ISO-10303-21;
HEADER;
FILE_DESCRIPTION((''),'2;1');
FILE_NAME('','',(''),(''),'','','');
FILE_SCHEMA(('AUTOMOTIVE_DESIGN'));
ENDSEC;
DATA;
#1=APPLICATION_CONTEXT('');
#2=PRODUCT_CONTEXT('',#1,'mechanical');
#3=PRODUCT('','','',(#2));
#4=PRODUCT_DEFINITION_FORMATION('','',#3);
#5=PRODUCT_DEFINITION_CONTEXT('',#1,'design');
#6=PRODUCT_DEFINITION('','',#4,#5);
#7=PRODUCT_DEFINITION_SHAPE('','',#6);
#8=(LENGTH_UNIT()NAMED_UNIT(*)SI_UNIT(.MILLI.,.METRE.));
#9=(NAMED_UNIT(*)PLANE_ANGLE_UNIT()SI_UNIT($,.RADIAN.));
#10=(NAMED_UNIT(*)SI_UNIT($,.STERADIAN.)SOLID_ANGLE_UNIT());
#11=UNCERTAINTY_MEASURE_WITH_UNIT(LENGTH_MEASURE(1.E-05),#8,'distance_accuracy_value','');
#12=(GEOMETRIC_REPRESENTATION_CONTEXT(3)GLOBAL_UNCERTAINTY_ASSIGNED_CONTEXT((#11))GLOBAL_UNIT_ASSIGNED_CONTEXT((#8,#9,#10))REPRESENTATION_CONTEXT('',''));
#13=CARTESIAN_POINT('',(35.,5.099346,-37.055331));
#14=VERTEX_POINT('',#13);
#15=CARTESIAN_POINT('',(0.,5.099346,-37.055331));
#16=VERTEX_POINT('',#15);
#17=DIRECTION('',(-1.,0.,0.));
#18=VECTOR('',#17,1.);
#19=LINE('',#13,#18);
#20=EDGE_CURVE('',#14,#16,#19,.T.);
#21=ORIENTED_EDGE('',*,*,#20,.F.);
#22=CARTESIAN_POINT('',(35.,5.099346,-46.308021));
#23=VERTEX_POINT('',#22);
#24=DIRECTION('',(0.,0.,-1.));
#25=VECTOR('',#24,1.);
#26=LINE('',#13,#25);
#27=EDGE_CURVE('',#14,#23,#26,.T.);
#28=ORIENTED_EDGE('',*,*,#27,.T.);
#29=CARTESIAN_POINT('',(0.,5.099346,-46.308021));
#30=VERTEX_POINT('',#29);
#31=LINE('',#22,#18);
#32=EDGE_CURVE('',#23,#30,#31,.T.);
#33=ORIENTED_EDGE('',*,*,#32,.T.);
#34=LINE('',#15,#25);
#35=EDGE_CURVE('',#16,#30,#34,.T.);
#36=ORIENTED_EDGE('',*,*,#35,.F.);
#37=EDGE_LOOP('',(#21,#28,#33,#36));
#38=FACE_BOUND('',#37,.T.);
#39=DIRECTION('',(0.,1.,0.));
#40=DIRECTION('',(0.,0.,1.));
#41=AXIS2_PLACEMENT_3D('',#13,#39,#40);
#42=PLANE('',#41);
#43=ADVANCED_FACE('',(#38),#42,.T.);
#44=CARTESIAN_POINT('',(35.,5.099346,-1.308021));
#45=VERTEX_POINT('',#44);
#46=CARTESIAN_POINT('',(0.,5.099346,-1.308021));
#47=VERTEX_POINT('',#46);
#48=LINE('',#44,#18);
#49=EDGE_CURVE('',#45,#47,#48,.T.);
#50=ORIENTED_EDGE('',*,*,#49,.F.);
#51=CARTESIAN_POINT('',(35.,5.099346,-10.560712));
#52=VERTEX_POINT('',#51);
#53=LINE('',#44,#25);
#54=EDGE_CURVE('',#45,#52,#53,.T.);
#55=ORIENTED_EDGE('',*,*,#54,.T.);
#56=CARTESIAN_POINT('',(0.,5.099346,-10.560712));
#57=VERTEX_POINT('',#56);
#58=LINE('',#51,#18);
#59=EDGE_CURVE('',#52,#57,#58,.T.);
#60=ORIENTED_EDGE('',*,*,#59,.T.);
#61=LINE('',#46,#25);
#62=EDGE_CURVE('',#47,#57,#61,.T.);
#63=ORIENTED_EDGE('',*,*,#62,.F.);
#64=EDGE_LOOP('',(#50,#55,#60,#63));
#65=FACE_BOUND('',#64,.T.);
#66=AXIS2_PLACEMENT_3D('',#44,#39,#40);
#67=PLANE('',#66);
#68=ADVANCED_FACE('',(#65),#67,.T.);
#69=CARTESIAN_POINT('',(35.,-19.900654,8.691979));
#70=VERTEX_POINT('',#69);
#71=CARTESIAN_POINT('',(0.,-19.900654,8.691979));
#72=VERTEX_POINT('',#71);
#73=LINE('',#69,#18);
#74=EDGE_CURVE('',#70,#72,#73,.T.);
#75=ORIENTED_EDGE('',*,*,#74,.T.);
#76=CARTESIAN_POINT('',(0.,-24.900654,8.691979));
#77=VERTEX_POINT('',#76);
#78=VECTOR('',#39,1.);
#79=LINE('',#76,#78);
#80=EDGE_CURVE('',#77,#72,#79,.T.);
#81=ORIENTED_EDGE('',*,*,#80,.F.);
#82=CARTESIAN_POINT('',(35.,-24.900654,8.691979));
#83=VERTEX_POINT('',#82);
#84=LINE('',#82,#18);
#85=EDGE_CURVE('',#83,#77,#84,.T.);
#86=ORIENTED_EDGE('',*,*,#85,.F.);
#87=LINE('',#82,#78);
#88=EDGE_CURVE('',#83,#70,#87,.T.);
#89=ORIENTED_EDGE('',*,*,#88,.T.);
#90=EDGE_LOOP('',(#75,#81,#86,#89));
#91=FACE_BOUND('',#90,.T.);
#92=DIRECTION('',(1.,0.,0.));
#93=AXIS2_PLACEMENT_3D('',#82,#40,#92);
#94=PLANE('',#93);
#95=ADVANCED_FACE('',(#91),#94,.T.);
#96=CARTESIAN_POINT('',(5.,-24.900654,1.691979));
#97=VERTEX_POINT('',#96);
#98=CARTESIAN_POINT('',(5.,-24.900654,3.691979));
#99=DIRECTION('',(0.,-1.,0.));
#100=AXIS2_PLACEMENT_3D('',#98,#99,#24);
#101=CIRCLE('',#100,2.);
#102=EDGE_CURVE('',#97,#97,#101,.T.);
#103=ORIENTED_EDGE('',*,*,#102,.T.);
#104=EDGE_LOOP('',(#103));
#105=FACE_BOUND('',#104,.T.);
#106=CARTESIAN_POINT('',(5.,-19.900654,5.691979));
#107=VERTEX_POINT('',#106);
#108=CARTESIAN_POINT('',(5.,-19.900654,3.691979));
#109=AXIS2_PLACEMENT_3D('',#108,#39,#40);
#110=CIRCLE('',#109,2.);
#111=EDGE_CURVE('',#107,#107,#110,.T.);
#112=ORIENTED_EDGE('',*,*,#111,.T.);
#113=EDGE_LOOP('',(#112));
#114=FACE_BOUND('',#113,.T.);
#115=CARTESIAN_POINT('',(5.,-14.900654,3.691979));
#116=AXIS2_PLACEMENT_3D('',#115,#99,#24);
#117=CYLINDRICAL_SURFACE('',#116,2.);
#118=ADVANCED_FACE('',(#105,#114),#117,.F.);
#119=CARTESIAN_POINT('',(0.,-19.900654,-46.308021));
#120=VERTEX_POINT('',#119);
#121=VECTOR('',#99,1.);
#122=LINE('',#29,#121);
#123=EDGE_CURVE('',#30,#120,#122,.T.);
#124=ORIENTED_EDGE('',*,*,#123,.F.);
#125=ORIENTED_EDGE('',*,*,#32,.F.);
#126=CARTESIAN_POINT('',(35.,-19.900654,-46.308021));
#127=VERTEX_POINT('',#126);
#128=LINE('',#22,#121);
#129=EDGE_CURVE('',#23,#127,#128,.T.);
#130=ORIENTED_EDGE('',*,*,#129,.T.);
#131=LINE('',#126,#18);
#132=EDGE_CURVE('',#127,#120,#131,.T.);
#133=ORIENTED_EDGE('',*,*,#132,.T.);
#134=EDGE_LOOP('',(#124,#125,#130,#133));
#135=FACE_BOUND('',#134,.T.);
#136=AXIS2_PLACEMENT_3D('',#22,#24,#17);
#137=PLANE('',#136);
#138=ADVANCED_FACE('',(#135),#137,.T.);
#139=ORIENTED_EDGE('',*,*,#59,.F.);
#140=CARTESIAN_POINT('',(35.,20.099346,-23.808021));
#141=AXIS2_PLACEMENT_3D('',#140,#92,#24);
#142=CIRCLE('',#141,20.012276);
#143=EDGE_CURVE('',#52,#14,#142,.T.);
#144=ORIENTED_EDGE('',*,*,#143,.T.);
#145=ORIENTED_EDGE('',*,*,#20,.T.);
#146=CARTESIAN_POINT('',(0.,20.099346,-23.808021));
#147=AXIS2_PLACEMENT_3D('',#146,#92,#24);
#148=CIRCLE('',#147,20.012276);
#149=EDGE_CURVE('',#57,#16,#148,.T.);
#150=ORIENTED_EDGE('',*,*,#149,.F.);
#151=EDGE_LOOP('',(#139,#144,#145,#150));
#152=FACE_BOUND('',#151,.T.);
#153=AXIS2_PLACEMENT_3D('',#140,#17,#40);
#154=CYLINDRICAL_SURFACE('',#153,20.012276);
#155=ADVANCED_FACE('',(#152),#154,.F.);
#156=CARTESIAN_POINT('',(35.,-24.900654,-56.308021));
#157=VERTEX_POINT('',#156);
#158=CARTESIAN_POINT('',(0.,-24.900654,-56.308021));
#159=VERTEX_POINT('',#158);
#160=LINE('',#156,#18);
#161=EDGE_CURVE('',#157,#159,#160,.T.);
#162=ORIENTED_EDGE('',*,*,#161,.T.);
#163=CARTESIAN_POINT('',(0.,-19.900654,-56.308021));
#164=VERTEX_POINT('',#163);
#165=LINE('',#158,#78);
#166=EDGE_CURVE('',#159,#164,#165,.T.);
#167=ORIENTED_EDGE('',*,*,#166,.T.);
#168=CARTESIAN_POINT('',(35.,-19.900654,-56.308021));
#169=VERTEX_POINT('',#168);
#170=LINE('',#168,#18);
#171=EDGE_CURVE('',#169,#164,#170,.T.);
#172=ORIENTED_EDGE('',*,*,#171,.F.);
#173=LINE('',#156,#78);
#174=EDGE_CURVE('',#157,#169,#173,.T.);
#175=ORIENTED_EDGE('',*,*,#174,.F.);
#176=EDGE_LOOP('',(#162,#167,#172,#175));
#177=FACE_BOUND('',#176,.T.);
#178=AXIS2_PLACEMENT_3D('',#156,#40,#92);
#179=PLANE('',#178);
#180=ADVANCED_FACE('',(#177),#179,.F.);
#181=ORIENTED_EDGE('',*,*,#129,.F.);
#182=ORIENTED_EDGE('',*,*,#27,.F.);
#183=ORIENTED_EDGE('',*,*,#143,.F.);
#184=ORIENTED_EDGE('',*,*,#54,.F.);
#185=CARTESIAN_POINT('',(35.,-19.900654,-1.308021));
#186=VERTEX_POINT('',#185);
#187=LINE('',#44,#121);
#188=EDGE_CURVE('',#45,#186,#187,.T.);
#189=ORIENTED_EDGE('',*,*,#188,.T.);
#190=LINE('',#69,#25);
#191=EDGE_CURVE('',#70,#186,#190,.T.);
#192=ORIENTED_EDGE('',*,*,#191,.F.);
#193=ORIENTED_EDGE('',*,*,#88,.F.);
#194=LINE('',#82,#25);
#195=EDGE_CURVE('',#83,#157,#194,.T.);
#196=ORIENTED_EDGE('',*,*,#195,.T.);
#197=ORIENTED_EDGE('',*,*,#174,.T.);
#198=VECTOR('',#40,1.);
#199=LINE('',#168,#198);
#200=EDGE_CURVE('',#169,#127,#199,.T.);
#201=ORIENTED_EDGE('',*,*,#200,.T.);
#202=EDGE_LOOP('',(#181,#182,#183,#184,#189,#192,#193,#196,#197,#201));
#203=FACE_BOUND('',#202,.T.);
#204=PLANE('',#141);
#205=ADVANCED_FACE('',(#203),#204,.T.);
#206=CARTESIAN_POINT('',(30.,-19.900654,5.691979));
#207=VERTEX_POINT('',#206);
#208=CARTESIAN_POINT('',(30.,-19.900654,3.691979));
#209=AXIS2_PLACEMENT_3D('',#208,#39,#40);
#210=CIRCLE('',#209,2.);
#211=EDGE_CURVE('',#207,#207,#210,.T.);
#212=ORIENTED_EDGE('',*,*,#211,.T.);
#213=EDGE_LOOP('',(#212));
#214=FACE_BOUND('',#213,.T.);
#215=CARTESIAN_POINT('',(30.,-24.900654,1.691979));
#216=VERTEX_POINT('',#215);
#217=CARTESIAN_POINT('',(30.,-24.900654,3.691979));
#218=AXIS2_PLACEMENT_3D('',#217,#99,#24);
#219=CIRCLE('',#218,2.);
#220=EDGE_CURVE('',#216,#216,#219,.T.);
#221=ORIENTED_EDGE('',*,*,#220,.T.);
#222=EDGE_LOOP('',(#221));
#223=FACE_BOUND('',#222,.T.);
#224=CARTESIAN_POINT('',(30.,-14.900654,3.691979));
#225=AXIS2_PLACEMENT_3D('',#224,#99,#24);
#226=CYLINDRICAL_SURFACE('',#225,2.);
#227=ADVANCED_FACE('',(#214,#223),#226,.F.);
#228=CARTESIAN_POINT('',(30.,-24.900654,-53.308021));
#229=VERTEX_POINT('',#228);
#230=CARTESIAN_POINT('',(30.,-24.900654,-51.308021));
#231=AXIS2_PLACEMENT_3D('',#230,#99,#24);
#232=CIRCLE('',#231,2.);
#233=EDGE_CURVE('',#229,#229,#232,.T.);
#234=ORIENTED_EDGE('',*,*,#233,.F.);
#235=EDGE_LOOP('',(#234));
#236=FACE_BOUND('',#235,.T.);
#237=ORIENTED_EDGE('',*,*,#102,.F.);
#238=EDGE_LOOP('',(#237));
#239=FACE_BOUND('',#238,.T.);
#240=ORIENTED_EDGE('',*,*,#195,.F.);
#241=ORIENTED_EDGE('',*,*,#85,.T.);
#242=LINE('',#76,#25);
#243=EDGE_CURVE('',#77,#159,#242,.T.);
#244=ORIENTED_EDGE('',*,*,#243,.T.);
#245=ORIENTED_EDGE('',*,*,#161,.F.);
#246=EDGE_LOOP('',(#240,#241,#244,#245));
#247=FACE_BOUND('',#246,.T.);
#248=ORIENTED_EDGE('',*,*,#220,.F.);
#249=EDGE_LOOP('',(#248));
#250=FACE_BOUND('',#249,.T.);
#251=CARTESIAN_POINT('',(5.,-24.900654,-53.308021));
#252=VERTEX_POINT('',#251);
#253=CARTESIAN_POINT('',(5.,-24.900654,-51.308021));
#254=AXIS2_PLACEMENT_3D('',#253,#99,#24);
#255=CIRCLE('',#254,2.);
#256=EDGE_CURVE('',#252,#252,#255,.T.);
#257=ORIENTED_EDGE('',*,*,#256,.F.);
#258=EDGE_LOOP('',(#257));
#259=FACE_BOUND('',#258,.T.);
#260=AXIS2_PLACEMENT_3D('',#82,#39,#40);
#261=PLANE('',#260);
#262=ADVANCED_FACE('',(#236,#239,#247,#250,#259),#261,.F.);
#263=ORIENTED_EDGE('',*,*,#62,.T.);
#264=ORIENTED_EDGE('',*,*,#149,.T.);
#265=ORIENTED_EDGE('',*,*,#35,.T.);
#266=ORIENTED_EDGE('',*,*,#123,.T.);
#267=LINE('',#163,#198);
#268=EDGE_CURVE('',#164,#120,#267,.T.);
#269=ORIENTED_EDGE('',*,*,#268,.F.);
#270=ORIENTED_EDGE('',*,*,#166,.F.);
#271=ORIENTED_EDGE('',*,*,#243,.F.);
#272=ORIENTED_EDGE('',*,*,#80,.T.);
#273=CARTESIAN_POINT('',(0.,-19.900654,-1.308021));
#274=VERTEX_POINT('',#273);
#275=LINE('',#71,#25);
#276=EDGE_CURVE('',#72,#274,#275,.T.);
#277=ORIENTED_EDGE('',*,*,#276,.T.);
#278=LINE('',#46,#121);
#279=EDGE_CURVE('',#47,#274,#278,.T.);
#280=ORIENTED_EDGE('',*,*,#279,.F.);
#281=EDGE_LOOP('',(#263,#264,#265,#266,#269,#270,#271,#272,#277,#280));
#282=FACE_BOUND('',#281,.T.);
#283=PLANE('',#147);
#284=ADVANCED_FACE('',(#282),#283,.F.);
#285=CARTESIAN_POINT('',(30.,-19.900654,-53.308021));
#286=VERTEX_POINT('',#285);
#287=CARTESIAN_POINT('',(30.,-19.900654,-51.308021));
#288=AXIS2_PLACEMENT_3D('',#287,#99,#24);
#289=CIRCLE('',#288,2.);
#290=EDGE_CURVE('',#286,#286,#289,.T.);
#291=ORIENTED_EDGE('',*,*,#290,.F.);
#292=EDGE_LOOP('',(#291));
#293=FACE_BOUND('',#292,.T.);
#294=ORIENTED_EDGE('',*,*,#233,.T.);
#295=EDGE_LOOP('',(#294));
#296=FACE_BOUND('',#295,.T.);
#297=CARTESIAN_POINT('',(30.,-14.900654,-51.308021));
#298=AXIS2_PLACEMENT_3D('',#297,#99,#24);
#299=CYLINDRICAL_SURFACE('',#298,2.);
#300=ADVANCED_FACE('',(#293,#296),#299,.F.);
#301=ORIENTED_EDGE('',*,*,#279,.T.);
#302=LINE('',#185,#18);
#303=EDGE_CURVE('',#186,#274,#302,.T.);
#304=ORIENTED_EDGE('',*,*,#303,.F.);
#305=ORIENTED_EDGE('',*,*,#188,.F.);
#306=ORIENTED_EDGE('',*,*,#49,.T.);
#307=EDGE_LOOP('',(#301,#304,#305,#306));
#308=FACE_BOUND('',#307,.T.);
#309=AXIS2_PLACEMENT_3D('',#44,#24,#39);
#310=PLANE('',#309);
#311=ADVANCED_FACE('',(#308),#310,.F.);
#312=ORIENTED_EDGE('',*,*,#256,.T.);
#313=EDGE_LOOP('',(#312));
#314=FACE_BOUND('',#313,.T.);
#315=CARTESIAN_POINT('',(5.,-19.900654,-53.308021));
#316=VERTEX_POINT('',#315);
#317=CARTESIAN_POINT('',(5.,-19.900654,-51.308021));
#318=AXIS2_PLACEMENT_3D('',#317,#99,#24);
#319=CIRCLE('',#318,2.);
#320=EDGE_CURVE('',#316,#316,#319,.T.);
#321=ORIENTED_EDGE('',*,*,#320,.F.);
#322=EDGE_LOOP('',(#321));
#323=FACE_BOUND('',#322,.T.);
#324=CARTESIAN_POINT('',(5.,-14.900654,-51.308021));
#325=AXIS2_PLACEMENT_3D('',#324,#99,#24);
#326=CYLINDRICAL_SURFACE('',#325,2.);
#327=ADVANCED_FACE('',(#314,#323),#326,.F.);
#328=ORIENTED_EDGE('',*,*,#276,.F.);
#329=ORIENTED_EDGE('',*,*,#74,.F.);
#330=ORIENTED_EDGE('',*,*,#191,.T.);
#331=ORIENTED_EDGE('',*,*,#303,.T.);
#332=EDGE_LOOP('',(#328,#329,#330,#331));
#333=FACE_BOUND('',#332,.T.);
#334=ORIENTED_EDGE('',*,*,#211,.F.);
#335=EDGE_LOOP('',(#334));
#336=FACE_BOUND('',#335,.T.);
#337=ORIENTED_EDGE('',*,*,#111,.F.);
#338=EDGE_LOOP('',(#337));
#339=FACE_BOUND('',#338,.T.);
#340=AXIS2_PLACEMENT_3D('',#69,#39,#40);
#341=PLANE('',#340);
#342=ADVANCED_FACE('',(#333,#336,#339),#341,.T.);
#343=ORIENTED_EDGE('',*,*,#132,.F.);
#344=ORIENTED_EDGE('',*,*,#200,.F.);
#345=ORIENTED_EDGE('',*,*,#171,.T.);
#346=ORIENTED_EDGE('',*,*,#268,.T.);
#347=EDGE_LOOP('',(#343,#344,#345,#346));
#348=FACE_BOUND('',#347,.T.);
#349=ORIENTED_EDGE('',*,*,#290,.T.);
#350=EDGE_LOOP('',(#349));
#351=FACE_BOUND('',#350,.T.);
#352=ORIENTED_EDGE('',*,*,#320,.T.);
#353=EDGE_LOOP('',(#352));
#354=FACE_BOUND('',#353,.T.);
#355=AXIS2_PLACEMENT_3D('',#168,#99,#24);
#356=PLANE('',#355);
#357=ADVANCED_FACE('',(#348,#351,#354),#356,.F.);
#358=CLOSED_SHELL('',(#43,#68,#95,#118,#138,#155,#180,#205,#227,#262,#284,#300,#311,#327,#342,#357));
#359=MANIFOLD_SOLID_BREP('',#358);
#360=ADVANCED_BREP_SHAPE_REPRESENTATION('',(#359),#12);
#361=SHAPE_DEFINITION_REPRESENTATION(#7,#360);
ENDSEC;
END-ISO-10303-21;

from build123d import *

# Parameters (mm, degrees)
EXTRUDE_1_DEPTH     = 35
SKETCH_5_R          = 2
CUT_EXTRUDE_2_DEPTH = 10


with BuildPart() as part:
    # 草图3 → 凸台-拉伸1 (new body)
    with BuildSketch(Plane(origin=(0, 0, 0), x_dir=(0, 0, -1), z_dir=(1, 0, 0))):
        with BuildLine():
            Line((37.055330611, 5.099345853), (46.308021103, 5.099345853))
            Line((46.308021103, 5.099345853), (46.308021103, -19.900654147))
            Line((46.308021103, -19.900654147), (56.308021103, -19.900654147))
            Line((56.308021103, -19.900654147), (56.308021103, -24.900654147))
            Line((56.308021103, -24.900654147), (-8.691978897, -24.900654147))
            Line((-8.691978897, -24.900654147), (-8.691978897, -19.900654147))
            Line((-8.691978897, -19.900654147), (1.308021103, -19.900654147))
            Line((1.308021103, -19.900654147), (1.308021103, 5.099345853))
            Line((1.308021103, 5.099345853), (10.560711596, 5.099345853))
            ThreePointArc((10.560711596, 5.099345853), (23.808021103, 0.087069391), (37.055330611, 5.099345853))
        make_face()
    extrude(amount=EXTRUDE_1_DEPTH)

    # 草图5 → 切除-拉伸2 (cut)
    with BuildSketch(Plane(origin=(0, -24.900654147, 0), x_dir=(-1, 0, 0), z_dir=(0, -1, 0))):
        with Locations(Location((-30, -3.691978897, 0), (0, 0, 90))):
            Circle(SKETCH_5_R)
        with Locations(Location((-5, -3.691978897, 0), (0, 0, 90))):
            Circle(SKETCH_5_R)
        with Locations(Location((-30, 51.308021103, 0), (0, 0, 90))):
            Circle(SKETCH_5_R)
        with Locations(Location((-5, 51.308021103, 0), (0, 0, 90))):
            Circle(SKETCH_5_R)
    extrude(amount=-CUT_EXTRUDE_2_DEPTH, mode=Mode.SUBTRACT)


solid = part.part
